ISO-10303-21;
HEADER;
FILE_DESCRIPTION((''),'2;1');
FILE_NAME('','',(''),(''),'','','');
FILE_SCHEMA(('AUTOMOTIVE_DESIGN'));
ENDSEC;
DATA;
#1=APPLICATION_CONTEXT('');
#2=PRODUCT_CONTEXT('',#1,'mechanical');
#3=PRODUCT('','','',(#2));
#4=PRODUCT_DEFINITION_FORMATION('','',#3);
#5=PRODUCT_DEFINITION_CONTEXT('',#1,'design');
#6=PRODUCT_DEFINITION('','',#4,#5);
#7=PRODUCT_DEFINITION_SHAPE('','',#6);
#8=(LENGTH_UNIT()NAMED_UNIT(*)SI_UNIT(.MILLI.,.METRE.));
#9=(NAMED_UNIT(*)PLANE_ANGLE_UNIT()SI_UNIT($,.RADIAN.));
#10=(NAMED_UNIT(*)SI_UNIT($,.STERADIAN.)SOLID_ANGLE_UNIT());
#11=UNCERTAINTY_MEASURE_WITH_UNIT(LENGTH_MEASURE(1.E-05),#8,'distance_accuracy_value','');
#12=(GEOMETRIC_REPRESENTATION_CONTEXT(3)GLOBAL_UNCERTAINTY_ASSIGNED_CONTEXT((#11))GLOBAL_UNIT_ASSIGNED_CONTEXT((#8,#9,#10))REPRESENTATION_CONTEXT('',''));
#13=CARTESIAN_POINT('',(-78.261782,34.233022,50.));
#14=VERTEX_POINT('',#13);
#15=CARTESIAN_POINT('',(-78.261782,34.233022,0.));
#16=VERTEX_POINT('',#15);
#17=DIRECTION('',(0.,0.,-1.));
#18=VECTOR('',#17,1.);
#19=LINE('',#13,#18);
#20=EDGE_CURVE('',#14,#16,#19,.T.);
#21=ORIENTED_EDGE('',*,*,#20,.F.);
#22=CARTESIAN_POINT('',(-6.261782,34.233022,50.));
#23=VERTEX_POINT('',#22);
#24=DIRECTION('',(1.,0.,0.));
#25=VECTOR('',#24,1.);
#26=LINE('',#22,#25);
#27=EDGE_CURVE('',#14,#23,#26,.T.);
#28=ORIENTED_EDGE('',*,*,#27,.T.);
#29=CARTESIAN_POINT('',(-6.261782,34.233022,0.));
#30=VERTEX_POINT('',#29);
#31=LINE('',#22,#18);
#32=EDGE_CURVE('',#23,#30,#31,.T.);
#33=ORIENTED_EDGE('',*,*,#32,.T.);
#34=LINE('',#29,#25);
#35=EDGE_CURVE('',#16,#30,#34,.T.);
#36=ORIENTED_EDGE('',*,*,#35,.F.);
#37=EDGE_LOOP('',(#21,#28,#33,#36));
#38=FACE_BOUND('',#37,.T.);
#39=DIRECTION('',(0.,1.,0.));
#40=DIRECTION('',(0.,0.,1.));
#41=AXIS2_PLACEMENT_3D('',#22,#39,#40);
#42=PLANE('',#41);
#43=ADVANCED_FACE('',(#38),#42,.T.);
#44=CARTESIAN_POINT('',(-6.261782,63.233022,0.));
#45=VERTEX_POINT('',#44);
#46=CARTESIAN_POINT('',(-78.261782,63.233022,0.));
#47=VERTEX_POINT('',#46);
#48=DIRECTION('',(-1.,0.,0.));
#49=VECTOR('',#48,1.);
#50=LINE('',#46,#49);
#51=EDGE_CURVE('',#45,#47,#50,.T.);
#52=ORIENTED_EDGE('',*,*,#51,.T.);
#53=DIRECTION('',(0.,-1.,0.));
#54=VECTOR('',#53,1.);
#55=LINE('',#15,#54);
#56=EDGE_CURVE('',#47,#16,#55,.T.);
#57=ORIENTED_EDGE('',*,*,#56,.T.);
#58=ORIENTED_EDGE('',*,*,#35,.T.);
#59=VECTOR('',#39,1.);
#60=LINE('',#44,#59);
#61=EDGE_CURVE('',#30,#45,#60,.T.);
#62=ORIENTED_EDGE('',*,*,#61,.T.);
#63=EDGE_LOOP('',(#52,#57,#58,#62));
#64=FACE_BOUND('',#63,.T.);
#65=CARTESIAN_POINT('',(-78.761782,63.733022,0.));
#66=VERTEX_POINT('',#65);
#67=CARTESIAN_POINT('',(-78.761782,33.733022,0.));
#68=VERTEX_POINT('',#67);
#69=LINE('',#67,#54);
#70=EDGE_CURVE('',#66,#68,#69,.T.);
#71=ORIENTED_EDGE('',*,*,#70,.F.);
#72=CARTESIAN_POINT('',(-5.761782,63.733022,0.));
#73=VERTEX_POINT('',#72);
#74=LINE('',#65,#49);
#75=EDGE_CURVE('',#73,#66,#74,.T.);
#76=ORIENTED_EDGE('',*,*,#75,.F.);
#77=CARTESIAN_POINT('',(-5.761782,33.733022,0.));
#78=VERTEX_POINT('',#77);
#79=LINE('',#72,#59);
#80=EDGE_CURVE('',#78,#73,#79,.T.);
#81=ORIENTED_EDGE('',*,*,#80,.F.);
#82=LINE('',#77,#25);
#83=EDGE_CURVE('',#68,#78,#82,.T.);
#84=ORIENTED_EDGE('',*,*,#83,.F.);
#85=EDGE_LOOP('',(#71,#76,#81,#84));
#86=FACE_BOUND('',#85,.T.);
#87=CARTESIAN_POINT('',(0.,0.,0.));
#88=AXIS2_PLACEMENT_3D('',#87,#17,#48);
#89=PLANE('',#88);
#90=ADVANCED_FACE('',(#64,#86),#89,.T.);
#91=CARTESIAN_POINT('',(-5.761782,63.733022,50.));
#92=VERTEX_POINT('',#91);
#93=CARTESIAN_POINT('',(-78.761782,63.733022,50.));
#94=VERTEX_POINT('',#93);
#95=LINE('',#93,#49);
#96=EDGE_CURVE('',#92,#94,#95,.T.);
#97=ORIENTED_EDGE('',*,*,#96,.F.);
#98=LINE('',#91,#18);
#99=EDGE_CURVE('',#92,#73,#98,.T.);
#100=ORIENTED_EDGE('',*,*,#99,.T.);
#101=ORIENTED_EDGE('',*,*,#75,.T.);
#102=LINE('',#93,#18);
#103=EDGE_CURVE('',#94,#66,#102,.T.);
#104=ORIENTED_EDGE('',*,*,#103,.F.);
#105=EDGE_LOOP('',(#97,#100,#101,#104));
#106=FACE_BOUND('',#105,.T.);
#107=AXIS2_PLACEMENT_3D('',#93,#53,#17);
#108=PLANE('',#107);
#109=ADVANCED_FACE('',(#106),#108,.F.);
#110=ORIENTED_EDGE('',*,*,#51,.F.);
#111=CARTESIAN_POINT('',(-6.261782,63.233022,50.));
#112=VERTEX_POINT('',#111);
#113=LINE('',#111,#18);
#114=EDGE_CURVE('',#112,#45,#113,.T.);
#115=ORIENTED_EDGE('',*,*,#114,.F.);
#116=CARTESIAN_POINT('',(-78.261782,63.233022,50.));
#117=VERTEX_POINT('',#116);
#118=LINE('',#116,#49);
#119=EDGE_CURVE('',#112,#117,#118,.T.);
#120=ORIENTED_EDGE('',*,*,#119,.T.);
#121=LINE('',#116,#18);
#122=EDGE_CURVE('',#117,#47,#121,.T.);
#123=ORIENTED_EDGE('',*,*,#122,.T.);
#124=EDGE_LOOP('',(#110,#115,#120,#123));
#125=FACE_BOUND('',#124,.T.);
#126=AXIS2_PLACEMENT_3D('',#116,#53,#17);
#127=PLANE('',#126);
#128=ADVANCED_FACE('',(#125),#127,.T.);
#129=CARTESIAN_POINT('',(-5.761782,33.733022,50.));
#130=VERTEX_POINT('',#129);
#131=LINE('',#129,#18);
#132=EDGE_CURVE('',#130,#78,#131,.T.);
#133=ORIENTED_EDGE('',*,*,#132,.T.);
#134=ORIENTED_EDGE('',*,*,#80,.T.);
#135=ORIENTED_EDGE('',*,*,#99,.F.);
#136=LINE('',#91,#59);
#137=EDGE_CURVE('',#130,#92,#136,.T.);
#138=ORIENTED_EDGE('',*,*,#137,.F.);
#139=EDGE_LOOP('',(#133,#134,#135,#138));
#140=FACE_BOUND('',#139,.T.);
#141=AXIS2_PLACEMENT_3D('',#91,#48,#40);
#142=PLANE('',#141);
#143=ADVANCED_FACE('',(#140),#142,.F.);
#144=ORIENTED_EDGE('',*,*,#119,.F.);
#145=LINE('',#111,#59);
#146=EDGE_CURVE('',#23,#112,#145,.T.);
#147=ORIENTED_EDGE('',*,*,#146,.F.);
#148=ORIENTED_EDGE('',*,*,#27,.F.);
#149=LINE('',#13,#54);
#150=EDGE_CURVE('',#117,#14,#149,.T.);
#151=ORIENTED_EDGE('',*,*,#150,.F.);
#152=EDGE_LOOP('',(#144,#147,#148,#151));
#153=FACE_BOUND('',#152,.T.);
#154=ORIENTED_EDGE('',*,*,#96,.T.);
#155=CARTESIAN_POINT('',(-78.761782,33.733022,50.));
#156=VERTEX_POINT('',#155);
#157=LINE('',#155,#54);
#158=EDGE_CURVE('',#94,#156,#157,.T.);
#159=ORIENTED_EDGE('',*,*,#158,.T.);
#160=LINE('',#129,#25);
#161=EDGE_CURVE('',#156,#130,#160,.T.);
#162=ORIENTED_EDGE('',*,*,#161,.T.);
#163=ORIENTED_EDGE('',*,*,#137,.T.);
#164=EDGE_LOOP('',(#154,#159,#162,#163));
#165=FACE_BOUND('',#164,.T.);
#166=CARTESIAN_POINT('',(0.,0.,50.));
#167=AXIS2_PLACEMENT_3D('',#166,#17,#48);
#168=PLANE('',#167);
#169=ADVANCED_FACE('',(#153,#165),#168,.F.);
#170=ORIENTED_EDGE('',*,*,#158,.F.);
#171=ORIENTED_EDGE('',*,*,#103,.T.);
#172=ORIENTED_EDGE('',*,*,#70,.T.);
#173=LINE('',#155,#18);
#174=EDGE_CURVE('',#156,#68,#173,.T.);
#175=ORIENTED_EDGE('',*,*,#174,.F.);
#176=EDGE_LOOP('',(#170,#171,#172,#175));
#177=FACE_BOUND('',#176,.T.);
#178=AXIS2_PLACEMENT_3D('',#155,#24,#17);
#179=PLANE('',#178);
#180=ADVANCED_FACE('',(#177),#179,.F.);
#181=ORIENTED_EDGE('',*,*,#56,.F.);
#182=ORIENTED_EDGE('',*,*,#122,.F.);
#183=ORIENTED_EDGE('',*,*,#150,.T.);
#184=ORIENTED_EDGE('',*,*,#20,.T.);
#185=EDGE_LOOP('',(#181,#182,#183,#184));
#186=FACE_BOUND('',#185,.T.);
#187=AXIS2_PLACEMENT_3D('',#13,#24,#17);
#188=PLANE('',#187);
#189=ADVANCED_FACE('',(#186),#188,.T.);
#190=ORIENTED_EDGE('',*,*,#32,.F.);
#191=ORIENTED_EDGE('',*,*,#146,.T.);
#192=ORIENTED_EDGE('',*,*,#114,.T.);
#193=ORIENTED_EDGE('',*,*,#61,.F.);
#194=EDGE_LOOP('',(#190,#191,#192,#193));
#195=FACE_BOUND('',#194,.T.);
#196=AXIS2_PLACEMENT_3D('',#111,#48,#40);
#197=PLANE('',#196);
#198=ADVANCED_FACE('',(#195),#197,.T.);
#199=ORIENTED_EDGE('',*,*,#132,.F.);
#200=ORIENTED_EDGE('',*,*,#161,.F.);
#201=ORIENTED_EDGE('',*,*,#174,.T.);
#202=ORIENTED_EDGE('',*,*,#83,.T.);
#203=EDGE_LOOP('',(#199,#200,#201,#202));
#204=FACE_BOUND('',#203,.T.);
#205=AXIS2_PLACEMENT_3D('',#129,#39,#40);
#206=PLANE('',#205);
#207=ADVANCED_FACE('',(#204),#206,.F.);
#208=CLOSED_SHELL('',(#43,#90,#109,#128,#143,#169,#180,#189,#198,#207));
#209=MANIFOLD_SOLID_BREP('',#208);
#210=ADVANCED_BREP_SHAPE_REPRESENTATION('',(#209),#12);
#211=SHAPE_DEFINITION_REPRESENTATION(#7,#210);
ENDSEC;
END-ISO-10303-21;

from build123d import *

# Parameters (mm, degrees)
SKETCH1_W           = 73
SKETCH1_H           = 30
SKETCH1_W_2         = 72
SKETCH1_H_2         = 29
BOSS_EXTRUDE1_DEPTH = 50


with BuildPart() as part:
    # Sketch1 → Boss-Extrude1 (new body)
    with BuildSketch(Plane.XY):
        with Locations((-42.261782018, 48.733022026)):
            Rectangle(SKETCH1_W, SKETCH1_H)
        with Locations((-42.261782018, 48.733022026)):
            Rectangle(SKETCH1_W_2, SKETCH1_H_2, mode=Mode.SUBTRACT)
    extrude(amount=BOSS_EXTRUDE1_DEPTH)


solid = part.part
